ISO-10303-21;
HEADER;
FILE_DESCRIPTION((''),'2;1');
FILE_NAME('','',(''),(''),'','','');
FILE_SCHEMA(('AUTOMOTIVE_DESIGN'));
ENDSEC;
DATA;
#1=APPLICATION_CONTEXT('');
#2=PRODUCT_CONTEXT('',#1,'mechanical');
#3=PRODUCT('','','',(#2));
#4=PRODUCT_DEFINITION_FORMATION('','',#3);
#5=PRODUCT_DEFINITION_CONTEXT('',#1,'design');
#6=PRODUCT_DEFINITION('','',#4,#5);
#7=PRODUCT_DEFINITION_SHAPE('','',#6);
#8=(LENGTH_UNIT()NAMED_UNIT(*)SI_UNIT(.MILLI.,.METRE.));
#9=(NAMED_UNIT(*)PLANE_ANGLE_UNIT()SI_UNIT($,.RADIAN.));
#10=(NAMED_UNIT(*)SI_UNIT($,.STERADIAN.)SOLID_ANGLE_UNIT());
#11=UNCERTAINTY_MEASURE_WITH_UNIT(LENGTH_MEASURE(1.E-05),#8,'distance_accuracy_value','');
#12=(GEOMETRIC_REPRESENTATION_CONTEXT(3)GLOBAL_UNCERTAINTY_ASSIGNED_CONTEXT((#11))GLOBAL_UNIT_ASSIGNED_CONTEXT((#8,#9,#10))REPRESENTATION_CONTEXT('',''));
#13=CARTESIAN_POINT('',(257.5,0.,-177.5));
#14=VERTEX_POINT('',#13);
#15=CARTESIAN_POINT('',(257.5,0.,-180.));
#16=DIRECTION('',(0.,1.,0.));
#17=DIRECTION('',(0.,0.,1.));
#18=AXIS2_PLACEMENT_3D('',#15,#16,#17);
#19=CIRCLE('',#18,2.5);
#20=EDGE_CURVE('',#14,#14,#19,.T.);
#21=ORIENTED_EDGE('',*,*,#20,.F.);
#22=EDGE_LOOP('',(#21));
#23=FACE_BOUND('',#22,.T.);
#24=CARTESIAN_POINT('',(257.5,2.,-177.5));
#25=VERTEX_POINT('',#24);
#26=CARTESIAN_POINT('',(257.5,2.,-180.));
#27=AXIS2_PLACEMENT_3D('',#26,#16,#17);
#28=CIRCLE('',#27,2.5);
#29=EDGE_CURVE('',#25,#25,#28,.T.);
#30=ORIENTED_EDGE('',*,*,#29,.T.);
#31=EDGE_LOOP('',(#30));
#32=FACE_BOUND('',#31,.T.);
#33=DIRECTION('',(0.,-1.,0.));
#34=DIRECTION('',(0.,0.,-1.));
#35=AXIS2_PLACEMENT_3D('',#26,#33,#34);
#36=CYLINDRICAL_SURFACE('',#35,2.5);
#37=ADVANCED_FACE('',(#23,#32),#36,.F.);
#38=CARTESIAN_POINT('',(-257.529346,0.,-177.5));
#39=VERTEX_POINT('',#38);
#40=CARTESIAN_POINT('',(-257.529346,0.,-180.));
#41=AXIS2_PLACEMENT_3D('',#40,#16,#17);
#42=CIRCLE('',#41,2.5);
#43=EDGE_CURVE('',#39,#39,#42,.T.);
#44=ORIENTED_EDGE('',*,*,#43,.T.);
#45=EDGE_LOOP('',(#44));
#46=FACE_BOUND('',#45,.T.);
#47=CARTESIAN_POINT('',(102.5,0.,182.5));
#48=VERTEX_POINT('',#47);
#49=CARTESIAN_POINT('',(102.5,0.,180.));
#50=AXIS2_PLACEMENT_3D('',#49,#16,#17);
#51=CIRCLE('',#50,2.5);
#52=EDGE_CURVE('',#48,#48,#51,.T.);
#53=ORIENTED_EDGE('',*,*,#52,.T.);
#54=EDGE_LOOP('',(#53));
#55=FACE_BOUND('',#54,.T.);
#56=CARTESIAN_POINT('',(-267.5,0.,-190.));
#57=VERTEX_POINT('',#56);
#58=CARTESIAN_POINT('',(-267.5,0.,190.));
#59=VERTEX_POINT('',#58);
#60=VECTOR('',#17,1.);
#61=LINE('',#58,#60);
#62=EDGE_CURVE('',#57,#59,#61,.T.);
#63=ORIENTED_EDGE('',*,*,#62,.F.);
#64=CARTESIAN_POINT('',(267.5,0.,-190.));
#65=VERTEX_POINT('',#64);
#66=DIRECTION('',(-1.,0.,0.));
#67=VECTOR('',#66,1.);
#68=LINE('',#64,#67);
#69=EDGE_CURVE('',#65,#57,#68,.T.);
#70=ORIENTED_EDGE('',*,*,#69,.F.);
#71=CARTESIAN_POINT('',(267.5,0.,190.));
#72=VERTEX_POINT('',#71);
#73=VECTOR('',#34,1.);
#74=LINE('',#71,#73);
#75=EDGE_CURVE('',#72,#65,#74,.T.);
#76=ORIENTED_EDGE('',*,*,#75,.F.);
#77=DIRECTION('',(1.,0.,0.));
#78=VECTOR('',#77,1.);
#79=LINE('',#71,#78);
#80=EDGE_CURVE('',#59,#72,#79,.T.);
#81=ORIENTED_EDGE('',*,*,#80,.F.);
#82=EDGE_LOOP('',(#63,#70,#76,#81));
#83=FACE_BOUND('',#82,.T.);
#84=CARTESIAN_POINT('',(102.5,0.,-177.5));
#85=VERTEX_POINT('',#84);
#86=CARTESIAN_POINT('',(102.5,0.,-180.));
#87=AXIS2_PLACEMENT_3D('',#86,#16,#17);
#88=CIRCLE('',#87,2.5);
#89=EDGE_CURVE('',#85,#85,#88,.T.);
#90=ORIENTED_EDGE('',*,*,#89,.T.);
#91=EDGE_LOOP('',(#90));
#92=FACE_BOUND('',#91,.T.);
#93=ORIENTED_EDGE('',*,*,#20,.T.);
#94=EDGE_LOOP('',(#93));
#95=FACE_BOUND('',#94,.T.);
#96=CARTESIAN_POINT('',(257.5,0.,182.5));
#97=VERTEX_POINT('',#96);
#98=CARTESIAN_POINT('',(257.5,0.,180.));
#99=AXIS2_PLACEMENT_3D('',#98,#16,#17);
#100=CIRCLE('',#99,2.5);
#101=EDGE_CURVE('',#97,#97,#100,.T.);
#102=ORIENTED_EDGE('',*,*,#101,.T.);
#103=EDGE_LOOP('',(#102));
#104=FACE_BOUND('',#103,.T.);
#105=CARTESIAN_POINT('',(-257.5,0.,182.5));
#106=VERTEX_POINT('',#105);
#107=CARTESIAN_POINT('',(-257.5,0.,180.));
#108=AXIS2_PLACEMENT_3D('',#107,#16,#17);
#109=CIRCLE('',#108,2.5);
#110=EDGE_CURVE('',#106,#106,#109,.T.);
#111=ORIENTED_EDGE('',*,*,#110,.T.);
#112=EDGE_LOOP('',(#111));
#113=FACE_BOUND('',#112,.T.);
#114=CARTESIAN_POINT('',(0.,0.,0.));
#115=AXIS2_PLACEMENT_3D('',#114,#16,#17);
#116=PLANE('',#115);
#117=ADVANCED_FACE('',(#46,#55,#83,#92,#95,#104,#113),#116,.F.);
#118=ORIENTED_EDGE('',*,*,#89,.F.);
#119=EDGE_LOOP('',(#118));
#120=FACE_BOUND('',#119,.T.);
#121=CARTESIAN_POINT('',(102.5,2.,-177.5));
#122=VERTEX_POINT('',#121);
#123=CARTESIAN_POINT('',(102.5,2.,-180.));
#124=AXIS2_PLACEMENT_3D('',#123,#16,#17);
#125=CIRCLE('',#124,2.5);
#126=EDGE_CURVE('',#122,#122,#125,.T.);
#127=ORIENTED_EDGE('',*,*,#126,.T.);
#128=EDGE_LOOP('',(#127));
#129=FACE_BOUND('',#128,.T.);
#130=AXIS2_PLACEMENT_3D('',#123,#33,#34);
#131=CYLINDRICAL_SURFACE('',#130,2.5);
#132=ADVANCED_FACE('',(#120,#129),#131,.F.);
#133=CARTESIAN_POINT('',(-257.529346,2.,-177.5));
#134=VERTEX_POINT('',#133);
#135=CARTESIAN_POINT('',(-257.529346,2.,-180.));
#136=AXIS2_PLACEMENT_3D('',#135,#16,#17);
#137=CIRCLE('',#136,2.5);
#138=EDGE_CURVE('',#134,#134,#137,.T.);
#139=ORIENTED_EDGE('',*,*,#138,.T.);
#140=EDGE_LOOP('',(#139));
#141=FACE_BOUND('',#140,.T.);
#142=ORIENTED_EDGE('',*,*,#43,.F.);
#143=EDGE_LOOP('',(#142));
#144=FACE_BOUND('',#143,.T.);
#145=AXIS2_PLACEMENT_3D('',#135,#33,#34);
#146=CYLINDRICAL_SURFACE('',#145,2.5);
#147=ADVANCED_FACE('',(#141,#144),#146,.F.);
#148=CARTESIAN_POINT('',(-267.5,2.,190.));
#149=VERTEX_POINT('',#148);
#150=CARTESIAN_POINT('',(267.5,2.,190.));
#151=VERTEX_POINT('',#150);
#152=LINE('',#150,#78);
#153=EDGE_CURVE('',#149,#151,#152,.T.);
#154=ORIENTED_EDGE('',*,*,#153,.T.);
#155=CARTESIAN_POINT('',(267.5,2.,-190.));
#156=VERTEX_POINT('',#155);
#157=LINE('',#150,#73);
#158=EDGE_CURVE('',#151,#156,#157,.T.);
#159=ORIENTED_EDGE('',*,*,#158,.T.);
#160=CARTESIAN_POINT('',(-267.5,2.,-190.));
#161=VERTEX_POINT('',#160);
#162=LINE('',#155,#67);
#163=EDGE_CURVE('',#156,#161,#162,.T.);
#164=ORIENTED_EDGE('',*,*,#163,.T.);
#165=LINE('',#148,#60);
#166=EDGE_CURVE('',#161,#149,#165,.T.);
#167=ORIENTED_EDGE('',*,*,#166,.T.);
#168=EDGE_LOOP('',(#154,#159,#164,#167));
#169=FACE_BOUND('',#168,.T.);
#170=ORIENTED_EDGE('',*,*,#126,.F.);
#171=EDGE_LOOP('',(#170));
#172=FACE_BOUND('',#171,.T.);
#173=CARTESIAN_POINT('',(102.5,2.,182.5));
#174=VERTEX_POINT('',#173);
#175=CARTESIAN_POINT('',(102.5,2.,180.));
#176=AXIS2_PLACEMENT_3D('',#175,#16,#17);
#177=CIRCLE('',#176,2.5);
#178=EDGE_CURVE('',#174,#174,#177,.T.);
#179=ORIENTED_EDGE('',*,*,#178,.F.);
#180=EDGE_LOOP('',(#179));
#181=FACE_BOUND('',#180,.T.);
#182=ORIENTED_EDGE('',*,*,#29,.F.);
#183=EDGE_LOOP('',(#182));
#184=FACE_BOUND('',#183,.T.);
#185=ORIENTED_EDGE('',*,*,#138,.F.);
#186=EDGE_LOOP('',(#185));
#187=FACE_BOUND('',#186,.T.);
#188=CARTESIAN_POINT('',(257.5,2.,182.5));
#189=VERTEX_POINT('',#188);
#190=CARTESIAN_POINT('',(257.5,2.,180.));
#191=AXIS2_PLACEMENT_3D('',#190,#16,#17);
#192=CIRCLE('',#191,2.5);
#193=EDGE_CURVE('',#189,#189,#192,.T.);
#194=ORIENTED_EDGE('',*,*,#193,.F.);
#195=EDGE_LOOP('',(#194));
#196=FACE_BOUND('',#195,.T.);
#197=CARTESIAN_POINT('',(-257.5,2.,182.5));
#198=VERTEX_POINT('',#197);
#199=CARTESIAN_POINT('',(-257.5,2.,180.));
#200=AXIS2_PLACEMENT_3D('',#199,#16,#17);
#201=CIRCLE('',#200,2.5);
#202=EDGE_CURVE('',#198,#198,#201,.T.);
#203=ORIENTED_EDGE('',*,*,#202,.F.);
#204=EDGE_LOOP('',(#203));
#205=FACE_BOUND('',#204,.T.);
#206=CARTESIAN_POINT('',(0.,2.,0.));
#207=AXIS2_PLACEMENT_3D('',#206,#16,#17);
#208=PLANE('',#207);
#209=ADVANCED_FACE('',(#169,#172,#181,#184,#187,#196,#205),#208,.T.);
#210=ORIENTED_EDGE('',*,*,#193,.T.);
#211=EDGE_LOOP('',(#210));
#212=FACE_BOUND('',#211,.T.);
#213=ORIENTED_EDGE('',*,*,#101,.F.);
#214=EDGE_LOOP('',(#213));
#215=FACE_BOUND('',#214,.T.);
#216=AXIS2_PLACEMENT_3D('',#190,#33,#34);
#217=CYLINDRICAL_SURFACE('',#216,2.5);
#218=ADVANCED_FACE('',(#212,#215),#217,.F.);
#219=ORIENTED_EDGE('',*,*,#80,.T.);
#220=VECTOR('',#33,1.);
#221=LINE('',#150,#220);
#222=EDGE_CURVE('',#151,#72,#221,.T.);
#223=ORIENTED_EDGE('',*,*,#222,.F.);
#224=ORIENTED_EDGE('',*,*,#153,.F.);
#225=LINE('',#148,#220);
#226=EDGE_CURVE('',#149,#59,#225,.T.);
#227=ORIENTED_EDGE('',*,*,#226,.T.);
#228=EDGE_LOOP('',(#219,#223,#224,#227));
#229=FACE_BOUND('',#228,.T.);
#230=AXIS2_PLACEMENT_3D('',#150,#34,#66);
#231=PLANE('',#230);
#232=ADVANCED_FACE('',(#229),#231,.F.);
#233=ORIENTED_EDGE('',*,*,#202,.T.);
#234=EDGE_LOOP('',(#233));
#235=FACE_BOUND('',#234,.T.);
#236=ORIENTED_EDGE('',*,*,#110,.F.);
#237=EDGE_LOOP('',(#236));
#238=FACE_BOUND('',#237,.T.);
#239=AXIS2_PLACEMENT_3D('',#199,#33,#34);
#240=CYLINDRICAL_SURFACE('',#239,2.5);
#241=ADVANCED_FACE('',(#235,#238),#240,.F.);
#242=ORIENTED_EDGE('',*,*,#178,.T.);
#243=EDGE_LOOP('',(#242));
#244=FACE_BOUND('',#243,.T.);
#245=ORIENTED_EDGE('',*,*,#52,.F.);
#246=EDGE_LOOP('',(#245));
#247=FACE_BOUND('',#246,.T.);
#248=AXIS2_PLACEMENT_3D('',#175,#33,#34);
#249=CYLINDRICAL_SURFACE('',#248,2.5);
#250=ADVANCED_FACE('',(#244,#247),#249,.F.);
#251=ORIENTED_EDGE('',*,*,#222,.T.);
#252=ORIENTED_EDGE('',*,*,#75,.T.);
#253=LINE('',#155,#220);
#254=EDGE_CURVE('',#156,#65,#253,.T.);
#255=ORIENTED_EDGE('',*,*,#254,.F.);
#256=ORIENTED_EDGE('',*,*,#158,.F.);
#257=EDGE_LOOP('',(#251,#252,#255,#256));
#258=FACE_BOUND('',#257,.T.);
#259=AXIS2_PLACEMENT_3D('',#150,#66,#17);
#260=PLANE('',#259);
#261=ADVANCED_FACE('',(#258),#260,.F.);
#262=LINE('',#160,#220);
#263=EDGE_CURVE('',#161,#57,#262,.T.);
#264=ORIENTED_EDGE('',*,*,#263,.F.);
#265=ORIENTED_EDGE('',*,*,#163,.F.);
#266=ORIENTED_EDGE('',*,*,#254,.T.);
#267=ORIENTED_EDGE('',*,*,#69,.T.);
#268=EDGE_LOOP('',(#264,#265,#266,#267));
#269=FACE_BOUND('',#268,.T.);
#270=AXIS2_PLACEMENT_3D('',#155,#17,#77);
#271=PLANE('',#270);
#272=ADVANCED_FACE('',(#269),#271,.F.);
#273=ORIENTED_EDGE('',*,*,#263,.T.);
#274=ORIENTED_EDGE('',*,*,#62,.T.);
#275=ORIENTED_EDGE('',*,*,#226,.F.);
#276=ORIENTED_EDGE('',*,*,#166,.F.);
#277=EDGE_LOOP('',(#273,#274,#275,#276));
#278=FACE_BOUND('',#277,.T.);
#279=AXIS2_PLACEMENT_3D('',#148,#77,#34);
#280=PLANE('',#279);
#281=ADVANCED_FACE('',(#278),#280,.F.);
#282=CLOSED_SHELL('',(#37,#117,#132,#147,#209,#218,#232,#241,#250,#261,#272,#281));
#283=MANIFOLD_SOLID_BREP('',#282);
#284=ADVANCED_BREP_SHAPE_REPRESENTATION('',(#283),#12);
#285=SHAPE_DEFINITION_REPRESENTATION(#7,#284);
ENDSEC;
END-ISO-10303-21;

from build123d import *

# Parameters (mm, degrees)
SKICA1_W                = 535
SKICA1_H                = 380
SKICA1_R                = 2.5
P_IDAT_VYSUNUT_M1_DEPTH = 2


with BuildPart() as part:
    # Skica1 → Přidat vysunutím1 (new body)
    with BuildSketch(Plane(origin=(0, 0, 0), x_dir=(1, 0, 0), z_dir=(0, 1, 0))):
        Rectangle(SKICA1_W, SKICA1_H)
        with Locations(Location((-257.529345711, 180, 0), (0, 0, 270))):
            Circle(SKICA1_R, mode=Mode.SUBTRACT)
        with Locations(Location((-257.5, -180, 0), (0, 0, 270))):
            Circle(SKICA1_R, mode=Mode.SUBTRACT)
        with Locations(Location((102.5, -180, 0), (0, 0, 270))):
            Circle(SKICA1_R, mode=Mode.SUBTRACT)
        with Locations(Location((257.5, -180, 0), (0, 0, 270))):
            Circle(SKICA1_R, mode=Mode.SUBTRACT)
        with Locations(Location((102.5, 180, 0), (0, 0, 270))):
            Circle(SKICA1_R, mode=Mode.SUBTRACT)
        with Locations(Location((257.5, 180, 0), (0, 0, 270))):
            Circle(SKICA1_R, mode=Mode.SUBTRACT)
    extrude(amount=P_IDAT_VYSUNUT_M1_DEPTH)


solid = part.part
